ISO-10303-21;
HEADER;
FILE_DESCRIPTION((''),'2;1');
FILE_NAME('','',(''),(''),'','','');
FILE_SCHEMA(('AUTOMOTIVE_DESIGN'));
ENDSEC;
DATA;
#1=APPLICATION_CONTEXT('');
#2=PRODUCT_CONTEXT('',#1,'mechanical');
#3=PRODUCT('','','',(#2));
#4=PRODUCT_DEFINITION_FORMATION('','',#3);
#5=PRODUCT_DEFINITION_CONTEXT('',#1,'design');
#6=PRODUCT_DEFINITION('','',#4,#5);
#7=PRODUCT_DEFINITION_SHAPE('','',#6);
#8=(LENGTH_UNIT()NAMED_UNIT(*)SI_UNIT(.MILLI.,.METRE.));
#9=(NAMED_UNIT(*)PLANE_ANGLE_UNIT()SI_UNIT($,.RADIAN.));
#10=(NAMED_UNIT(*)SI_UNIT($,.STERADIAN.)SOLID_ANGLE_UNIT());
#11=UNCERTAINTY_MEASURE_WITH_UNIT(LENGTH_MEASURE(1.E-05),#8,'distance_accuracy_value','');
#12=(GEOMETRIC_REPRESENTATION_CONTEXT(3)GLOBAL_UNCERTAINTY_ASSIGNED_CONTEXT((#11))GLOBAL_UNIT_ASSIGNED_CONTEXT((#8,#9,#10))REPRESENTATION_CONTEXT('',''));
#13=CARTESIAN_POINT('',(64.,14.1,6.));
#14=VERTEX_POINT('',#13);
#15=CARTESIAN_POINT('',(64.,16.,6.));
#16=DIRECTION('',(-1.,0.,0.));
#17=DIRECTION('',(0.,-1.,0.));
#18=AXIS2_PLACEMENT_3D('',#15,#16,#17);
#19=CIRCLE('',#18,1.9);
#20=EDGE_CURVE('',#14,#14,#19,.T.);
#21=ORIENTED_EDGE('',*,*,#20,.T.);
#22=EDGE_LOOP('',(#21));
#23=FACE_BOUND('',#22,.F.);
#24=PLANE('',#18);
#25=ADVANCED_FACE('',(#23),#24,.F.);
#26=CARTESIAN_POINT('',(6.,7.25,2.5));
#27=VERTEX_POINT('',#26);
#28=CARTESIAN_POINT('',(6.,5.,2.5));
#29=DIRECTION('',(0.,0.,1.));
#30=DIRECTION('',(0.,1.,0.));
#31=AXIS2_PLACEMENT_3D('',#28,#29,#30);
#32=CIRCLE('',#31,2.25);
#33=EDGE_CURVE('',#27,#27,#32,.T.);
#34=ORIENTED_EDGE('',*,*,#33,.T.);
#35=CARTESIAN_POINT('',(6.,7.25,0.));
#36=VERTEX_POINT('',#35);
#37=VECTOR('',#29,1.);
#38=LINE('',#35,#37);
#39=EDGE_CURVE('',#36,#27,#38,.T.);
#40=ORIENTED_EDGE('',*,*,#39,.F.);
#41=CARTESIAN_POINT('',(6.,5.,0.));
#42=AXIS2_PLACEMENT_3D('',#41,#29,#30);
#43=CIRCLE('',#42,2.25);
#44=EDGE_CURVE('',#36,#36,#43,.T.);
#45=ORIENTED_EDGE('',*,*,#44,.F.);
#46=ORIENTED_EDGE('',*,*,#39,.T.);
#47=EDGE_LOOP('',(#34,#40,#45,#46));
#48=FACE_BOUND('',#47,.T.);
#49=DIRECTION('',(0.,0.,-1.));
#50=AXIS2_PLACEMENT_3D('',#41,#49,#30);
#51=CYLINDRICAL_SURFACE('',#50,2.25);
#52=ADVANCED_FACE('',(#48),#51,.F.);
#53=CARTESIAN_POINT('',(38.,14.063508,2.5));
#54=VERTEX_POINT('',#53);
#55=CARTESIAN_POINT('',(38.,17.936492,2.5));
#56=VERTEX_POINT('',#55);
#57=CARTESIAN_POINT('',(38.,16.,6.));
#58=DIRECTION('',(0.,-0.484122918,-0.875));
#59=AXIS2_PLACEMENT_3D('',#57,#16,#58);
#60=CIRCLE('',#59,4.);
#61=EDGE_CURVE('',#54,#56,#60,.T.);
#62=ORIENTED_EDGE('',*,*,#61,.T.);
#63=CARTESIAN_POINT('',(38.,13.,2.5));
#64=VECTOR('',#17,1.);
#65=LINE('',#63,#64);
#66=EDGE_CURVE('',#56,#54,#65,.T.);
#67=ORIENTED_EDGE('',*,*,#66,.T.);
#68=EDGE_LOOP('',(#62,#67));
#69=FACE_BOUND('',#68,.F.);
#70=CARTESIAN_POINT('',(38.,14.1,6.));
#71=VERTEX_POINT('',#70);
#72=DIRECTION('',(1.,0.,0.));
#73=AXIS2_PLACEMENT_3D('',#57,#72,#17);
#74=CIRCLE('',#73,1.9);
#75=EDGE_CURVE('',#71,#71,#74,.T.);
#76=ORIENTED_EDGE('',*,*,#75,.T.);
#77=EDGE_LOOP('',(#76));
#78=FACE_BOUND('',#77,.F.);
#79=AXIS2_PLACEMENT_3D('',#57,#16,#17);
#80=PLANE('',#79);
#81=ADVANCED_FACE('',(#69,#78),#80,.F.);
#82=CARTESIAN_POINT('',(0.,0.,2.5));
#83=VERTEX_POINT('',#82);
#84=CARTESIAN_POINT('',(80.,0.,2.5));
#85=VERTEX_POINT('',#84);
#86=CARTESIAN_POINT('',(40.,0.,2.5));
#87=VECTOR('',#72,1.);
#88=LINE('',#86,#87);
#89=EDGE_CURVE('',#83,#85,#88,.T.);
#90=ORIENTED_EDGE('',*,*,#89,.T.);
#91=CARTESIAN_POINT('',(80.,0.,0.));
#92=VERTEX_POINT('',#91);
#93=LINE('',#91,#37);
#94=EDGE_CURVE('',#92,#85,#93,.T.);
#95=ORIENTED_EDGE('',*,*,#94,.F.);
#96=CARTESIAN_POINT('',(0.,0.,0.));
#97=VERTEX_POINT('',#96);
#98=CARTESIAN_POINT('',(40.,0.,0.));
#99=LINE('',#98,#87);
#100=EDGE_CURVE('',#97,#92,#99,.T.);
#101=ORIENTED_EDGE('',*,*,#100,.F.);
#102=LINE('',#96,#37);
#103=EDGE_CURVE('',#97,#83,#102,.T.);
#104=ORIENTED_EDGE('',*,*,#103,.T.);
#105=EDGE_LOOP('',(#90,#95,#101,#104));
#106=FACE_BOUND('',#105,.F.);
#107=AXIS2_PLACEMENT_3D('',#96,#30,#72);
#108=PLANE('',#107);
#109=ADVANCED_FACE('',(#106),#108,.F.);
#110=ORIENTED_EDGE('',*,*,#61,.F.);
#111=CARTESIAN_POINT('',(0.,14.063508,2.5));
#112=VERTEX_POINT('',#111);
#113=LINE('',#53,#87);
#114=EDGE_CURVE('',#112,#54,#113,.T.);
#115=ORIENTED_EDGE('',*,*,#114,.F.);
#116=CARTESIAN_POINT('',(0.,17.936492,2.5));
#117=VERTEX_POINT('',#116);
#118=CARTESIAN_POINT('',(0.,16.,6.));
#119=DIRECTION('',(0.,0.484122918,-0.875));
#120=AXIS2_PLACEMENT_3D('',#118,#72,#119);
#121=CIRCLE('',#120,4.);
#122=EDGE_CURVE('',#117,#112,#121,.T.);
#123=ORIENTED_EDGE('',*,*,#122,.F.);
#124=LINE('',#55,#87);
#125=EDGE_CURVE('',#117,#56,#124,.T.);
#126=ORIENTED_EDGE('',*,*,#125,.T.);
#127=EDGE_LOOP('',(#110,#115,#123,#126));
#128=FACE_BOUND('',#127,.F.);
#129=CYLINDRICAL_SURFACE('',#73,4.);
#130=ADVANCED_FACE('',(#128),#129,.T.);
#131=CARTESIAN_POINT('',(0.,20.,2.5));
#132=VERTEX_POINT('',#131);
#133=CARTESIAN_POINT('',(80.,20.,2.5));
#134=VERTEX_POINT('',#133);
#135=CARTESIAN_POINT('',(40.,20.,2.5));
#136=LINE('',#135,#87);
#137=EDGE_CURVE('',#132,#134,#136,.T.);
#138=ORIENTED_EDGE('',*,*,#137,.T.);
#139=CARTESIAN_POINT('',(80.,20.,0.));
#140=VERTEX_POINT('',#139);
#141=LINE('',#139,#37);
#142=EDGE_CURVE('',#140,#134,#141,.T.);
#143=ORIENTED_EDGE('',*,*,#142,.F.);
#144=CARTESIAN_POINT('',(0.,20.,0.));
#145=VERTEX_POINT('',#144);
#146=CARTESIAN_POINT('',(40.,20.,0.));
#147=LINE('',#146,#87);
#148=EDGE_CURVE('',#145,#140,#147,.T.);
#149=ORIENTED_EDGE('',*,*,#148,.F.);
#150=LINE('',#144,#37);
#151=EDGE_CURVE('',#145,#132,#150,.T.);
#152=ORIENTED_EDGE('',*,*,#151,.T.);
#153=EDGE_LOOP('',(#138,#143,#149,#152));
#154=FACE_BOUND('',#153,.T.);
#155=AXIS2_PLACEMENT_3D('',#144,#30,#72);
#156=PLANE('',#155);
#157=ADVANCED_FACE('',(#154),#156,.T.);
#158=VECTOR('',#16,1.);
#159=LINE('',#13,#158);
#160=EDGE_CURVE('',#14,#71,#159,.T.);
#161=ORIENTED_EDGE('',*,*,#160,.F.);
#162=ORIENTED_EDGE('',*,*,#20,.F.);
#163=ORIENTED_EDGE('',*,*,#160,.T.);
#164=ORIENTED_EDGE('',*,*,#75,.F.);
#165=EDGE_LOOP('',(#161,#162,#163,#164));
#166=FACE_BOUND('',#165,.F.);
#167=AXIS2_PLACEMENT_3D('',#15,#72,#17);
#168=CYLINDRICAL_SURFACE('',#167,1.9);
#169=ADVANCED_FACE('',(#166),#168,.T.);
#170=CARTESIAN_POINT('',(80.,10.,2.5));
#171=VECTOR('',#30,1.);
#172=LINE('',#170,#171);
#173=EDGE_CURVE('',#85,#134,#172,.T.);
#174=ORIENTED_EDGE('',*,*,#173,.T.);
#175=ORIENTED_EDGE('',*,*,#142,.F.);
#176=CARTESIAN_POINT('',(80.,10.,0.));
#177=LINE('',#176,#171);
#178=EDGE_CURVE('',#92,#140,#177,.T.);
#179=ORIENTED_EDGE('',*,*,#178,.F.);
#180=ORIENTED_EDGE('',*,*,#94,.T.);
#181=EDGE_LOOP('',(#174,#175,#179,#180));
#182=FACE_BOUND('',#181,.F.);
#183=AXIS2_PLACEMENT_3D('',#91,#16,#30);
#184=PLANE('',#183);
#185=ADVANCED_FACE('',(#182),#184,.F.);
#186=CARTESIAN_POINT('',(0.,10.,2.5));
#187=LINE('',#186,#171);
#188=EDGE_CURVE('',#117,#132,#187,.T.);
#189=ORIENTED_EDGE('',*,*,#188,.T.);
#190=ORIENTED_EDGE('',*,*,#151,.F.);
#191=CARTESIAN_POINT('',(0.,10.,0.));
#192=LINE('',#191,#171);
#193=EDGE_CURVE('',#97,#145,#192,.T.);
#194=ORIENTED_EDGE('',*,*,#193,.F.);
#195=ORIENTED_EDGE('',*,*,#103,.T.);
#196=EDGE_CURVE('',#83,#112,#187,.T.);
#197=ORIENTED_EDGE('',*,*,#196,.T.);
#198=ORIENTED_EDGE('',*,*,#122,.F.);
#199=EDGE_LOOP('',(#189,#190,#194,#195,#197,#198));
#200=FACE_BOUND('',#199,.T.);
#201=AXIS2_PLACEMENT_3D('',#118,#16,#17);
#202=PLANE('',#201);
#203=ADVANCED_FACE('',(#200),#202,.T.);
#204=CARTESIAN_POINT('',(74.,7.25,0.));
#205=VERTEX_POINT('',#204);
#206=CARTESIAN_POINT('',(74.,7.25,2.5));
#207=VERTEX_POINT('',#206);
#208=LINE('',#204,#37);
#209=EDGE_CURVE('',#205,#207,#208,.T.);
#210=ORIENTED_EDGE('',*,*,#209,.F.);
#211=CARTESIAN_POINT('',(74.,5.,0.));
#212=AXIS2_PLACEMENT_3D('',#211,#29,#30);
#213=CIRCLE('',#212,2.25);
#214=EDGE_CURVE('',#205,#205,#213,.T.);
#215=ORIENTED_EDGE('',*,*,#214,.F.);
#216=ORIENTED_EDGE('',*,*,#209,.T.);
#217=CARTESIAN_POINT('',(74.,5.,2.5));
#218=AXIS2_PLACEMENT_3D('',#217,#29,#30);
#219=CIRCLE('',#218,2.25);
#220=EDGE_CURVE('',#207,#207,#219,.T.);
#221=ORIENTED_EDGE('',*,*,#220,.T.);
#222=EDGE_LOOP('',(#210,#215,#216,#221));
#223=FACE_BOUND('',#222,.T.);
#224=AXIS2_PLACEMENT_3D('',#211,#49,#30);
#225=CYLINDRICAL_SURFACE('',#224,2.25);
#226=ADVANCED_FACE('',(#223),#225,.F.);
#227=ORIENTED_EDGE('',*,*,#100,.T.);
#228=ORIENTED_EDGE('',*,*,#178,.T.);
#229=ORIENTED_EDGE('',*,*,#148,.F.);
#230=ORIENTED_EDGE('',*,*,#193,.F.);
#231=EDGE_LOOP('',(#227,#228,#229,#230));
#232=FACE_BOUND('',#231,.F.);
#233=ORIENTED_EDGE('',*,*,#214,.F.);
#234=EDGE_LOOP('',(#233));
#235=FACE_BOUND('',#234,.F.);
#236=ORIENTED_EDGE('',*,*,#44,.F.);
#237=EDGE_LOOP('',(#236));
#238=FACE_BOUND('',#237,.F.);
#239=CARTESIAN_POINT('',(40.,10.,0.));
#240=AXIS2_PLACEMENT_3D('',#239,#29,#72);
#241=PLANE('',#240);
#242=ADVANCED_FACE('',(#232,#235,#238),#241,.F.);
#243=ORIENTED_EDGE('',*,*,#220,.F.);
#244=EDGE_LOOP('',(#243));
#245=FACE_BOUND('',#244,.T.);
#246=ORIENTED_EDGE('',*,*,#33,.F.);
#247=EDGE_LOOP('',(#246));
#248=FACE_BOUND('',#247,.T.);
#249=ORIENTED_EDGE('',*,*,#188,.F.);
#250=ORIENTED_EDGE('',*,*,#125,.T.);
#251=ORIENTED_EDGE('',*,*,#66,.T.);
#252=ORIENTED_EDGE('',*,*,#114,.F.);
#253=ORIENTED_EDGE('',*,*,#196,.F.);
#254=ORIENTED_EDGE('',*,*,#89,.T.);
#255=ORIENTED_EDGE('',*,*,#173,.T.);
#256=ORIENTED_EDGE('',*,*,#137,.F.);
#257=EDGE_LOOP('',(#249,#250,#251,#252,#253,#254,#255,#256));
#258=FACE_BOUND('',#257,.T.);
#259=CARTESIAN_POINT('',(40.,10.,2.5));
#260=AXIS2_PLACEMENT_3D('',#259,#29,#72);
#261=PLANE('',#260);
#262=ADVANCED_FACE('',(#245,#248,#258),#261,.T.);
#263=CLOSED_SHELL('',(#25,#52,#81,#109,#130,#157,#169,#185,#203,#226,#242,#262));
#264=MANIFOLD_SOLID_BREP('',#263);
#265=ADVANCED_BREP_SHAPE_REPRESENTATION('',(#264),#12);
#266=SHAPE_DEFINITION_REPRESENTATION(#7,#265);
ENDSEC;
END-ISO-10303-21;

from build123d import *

# Parameters (mm, degrees)
BOX_W             = 80
BOX_H             = 20
BOX_DEPTH         = 2.5
CYLINDER_R        = 4
CYLINDER_DEPTH    = 38
CYLINDER001_R     = 1.9
CYLINDER001_DEPTH = 30
CYLINDER002_R     = 2.25
CYLINDER002_DEPTH = 2.5
CYLINDER003_R     = 2.25
CYLINDER003_DEPTH = 2.5


with BuildPart() as part:
    # Box → Box (join)
    with BuildSketch(Plane.XY):
        with Locations((40, 10)):
            Rectangle(BOX_W, BOX_H)
    extrude(amount=BOX_DEPTH)

    # Cylinder → Cylinder (join)
    with BuildSketch(Plane(origin=(38, 16, 6), x_dir=(0, -1, 0), z_dir=(-1, 0, 0))):
        Circle(CYLINDER_R)
    extrude(amount=CYLINDER_DEPTH)

    # Cylinder001 → Cylinder001 (join)
    with BuildSketch(Plane(origin=(64, 16, 6), x_dir=(0, -1, 0), z_dir=(-1, 0, 0))):
        Circle(CYLINDER001_R)
    extrude(amount=CYLINDER001_DEPTH)

    # Cylinder002 → Cylinder002 (cut)
    with BuildSketch(Plane(origin=(74, 5, 0), x_dir=(0, 1, 0), z_dir=(0, 0, 1))):
        Circle(CYLINDER002_R)
    extrude(amount=CYLINDER002_DEPTH, mode=Mode.SUBTRACT)

    # Cylinder003 → Cylinder003 (cut)
    with BuildSketch(Plane(origin=(6, 5, 0), x_dir=(0, 1, 0), z_dir=(0, 0, 1))):
        Circle(CYLINDER003_R)
    extrude(amount=CYLINDER003_DEPTH, mode=Mode.SUBTRACT)


solid = part.part
